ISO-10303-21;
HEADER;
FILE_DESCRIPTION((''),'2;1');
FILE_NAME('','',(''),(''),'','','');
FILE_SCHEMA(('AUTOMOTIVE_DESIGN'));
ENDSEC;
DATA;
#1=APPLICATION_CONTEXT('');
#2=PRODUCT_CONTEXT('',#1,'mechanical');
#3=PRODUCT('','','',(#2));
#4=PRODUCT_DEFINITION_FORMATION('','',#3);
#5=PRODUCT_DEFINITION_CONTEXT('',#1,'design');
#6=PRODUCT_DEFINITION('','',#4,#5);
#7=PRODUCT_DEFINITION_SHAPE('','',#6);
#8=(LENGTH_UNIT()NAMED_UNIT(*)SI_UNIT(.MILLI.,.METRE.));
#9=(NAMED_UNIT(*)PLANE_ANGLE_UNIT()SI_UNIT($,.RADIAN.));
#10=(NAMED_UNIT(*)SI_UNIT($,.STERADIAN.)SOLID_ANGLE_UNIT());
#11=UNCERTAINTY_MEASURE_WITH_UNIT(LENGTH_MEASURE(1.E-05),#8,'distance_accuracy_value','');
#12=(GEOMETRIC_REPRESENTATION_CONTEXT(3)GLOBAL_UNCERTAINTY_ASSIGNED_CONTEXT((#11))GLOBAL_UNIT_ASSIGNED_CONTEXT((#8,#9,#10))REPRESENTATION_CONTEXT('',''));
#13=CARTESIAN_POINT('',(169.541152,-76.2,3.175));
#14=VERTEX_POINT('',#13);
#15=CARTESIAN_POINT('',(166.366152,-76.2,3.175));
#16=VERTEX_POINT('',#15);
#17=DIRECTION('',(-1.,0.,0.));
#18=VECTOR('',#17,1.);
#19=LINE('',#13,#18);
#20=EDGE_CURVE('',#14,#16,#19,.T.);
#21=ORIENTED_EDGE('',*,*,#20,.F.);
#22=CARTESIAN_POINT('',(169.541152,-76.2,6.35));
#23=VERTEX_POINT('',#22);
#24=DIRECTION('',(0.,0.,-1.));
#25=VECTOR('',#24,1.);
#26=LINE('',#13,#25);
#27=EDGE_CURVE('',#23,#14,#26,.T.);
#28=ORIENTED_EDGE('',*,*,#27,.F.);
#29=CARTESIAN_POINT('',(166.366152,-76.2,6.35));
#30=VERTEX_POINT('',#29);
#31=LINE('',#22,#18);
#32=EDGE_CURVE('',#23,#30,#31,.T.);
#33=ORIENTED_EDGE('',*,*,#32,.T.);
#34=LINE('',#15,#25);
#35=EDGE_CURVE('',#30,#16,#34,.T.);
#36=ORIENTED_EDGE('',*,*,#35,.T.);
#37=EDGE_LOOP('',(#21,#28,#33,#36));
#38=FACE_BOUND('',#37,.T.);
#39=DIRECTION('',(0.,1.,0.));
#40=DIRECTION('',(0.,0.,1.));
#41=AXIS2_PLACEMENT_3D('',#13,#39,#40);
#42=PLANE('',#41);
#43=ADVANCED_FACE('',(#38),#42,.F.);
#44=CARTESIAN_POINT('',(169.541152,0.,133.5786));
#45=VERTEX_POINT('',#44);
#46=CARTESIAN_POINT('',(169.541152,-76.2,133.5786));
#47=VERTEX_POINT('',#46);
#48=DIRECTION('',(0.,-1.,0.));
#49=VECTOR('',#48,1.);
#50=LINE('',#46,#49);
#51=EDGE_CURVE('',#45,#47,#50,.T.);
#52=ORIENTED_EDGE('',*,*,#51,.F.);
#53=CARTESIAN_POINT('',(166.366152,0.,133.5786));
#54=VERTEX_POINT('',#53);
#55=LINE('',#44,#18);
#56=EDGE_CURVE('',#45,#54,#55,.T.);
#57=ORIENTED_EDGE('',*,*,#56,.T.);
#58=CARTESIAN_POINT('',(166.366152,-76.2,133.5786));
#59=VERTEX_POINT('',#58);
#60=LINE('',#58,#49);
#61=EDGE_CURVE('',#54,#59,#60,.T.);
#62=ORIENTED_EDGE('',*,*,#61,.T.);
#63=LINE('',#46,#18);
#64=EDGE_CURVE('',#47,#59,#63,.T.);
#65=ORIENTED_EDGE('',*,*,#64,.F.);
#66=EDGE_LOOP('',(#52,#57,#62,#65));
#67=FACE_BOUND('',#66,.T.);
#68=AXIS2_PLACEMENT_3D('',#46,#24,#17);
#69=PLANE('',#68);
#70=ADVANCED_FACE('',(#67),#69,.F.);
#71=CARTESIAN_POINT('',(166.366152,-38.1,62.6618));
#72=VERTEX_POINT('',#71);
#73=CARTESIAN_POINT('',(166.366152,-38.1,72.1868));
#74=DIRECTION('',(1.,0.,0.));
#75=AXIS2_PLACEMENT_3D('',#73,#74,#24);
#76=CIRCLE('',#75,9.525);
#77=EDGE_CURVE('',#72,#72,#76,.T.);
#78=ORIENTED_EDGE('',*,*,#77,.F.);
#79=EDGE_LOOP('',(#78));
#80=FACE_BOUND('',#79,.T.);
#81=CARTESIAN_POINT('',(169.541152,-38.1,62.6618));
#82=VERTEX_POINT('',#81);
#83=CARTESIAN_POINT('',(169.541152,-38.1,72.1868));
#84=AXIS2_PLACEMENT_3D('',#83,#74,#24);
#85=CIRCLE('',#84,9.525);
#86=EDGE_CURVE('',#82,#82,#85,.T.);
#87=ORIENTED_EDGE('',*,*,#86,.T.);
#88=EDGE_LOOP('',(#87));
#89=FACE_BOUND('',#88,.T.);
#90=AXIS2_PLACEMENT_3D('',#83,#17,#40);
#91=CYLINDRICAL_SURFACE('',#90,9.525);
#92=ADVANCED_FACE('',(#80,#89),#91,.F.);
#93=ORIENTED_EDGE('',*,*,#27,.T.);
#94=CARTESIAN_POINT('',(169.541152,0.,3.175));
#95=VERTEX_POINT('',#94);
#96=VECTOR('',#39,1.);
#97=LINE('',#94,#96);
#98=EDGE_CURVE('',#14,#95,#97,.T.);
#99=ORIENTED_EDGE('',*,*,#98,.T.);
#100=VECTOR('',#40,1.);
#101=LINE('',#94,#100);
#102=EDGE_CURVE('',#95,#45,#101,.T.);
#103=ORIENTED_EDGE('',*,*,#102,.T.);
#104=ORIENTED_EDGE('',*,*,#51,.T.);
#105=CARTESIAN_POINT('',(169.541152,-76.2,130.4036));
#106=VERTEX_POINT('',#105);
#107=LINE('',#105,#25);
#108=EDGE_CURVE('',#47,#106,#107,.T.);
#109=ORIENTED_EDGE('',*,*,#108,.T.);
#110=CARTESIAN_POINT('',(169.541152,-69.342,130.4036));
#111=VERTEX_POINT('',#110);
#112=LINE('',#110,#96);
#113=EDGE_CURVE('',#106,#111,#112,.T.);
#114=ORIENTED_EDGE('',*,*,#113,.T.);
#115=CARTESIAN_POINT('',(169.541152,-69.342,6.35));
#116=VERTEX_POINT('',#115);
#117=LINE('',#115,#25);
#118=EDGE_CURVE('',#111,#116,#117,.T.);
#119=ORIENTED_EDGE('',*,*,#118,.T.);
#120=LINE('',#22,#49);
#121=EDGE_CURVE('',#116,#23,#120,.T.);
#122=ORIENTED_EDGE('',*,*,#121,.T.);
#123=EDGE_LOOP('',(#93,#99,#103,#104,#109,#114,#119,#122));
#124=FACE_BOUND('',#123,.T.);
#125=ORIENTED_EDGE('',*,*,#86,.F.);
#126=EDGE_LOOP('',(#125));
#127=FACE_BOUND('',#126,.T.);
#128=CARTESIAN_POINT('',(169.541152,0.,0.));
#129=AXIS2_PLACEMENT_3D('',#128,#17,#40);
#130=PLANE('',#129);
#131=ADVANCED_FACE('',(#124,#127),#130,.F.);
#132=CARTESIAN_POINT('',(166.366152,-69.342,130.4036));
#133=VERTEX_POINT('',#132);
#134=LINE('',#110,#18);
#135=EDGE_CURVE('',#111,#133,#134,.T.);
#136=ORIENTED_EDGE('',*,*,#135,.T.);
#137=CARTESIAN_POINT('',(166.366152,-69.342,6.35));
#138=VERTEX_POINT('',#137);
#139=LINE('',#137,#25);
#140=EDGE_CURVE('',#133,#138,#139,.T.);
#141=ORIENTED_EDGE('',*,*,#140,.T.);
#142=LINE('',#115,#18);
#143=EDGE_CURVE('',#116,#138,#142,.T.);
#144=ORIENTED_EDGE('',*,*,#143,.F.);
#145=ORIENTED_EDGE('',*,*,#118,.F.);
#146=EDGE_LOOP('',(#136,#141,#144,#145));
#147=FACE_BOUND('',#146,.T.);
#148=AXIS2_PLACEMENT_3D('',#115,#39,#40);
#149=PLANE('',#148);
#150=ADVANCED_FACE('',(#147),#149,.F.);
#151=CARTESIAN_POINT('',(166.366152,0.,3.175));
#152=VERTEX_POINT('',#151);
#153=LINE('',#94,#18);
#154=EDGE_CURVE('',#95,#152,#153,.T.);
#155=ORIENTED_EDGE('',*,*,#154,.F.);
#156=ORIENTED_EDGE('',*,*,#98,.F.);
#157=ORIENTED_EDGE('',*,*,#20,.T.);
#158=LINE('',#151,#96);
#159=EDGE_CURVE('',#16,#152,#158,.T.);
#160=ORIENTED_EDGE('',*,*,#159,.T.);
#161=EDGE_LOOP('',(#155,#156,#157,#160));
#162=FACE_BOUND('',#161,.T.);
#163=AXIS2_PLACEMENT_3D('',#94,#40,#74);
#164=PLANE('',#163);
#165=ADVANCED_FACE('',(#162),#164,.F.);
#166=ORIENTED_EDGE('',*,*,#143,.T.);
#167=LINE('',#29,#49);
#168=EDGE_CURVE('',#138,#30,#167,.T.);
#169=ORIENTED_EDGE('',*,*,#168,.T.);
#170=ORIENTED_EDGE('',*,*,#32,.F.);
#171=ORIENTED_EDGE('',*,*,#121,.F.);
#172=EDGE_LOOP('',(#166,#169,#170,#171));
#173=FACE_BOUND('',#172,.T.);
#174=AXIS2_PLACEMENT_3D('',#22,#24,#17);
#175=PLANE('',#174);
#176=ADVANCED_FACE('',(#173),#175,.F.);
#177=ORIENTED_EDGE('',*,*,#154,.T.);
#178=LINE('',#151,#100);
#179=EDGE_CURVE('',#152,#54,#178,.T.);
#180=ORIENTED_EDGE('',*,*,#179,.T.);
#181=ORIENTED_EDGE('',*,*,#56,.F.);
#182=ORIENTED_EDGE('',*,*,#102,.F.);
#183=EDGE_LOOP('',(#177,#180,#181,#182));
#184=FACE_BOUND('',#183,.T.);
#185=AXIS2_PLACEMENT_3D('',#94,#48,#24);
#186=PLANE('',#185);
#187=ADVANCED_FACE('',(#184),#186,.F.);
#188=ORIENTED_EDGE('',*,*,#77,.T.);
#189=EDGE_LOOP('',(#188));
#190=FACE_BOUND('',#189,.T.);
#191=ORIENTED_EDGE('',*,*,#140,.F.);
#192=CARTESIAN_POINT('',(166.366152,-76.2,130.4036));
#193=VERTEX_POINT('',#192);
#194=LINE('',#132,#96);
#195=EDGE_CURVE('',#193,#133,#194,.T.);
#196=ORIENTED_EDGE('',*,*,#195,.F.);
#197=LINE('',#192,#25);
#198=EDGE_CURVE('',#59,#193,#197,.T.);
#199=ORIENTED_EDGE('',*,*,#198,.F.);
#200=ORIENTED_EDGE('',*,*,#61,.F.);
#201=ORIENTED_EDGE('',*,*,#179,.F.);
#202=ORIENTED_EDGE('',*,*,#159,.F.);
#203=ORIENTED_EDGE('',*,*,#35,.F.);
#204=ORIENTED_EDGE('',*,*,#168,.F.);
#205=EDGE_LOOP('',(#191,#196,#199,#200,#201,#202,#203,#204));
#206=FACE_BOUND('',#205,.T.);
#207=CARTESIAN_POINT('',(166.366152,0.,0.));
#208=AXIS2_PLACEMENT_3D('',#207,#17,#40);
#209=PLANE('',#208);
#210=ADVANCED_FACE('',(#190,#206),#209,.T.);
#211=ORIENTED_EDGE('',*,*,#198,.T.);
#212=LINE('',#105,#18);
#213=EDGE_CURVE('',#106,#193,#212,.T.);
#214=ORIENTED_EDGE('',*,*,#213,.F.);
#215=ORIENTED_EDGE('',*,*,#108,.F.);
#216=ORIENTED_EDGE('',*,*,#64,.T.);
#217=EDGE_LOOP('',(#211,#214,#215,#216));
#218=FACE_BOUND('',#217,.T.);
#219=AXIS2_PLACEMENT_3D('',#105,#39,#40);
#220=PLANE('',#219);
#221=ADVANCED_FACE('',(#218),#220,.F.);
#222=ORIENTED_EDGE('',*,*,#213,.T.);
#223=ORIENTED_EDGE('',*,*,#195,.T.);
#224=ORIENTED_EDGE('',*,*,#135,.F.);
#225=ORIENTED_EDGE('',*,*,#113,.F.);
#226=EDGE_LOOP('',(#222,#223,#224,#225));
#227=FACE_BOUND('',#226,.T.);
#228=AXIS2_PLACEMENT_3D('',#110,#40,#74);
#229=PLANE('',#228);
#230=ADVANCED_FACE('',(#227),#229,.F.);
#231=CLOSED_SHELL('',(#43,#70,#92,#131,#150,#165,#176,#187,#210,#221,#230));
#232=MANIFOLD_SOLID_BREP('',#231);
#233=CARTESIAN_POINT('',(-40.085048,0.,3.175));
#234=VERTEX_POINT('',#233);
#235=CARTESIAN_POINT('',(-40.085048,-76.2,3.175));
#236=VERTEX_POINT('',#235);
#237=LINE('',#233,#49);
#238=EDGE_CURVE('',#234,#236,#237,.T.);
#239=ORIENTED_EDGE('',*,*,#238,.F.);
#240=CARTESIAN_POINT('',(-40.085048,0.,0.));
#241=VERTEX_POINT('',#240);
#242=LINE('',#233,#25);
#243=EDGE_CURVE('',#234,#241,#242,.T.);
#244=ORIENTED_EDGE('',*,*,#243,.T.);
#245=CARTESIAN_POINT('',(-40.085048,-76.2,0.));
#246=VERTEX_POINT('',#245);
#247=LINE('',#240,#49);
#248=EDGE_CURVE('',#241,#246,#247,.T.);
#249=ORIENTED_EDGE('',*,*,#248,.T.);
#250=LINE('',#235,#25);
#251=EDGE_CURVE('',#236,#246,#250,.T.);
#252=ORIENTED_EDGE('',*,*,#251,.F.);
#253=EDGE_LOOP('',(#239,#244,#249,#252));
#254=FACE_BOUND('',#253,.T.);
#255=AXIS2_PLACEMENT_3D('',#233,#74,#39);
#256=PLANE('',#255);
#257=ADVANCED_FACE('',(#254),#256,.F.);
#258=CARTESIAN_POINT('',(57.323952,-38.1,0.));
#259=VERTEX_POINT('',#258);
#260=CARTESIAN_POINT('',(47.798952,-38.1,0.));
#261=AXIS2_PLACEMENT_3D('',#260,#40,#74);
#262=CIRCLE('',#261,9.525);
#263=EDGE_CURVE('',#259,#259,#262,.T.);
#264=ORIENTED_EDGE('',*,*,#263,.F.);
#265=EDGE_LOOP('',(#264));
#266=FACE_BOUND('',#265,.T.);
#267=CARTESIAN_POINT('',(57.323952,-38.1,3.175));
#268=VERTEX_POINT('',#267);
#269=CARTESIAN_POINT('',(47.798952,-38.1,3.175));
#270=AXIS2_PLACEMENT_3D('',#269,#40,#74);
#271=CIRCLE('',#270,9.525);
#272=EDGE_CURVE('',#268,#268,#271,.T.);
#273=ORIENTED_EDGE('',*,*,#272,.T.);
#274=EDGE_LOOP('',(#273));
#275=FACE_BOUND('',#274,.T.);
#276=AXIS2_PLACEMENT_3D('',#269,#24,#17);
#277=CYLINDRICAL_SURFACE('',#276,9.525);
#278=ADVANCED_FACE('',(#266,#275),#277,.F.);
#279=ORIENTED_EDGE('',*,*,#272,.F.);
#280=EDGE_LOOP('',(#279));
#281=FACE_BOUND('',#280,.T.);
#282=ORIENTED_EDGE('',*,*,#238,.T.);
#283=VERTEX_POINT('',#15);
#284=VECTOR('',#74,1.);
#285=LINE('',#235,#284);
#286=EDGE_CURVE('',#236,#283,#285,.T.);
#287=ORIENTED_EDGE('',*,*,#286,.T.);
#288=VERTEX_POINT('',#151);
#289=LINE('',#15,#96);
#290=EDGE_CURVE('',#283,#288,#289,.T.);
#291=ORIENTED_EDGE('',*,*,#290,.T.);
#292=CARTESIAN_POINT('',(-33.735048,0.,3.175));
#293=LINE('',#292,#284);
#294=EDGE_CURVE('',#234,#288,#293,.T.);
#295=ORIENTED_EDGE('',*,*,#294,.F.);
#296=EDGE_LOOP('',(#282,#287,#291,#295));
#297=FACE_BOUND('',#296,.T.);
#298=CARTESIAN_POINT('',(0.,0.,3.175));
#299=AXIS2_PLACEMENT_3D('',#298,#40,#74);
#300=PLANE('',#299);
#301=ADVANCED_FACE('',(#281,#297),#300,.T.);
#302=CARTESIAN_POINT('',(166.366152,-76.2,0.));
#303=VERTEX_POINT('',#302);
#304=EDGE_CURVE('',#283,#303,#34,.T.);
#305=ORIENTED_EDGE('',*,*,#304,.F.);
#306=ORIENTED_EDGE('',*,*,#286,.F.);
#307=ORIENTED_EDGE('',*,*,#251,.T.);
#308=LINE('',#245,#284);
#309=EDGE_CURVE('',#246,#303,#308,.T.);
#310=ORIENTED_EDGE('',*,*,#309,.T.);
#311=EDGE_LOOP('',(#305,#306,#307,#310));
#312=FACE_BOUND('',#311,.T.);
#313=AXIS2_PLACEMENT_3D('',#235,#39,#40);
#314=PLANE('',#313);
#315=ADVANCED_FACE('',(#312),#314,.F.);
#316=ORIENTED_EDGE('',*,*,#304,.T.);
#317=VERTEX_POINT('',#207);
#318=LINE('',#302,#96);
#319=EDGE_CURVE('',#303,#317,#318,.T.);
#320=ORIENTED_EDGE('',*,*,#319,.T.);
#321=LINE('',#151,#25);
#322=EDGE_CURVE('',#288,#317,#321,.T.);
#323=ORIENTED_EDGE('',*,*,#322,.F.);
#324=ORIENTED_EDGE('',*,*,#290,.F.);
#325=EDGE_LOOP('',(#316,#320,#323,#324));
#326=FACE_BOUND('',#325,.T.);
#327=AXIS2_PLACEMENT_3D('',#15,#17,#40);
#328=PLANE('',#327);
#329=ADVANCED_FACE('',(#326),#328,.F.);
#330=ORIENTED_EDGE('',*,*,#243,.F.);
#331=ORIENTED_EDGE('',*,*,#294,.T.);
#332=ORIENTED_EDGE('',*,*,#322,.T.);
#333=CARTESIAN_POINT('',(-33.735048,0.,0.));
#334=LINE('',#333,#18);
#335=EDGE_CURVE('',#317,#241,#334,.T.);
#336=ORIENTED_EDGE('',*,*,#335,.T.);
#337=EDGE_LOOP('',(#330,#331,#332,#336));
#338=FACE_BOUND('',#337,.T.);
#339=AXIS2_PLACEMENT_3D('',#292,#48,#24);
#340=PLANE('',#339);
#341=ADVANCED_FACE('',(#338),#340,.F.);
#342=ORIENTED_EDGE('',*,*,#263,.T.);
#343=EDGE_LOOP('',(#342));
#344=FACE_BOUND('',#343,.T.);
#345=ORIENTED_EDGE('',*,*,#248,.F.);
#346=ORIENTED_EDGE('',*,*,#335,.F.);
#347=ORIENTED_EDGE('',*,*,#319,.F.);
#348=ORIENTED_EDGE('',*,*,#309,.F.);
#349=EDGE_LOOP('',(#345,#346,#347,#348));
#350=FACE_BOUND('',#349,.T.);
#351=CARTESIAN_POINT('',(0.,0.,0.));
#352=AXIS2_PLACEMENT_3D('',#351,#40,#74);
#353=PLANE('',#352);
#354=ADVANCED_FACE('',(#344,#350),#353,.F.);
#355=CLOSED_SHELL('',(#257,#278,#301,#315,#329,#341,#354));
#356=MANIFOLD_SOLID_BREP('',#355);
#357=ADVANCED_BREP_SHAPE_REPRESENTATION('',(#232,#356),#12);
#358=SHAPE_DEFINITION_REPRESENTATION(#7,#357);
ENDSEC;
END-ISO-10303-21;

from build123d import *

# Parameters (mm, degrees)
SKETCH2_R           = 9.525
BOSS_EXTRUDE3_DEPTH = 3.175
SKETCH9_R           = 9.525
BOSS_EXTRUDE5_DEPTH = 3.175


with BuildPart() as part:
    # Sketch2 → Boss-Extrude3 (new body)
    with BuildSketch(Plane.XY):
        Polygon((-33.735047644, 0), (160.016152356, 0), (166.366152356, 0), (166.366152356, -76.2), (-40.085047644, -76.2), (-40.085047644, 0), align=None)
        with Locations((47.798952356, -38.1)):
            Circle(SKETCH2_R, mode=Mode.SUBTRACT)
    extrude(amount=BOSS_EXTRUDE3_DEPTH)


with BuildPart() as body_2:
    # Sketch9 → Boss-Extrude5 (new body)
    with BuildSketch(Plane(origin=(166.366152356, 0, 0), x_dir=(0, 0, -1), z_dir=(1, 0, 0))):
        Polygon((-3.175, 0), (-133.5786, 0), (-133.5786, -76.2), (-130.4036, -76.2), (-130.4036, -69.342), (-6.35, -69.342), (-6.35, -76.2), (-3.175, -76.2), align=None)
        with Locations((-72.1868, -38.1)):
            Circle(SKETCH9_R, mode=Mode.SUBTRACT)
    extrude(amount=BOSS_EXTRUDE5_DEPTH)


solid = Compound([part.part, body_2.part])
